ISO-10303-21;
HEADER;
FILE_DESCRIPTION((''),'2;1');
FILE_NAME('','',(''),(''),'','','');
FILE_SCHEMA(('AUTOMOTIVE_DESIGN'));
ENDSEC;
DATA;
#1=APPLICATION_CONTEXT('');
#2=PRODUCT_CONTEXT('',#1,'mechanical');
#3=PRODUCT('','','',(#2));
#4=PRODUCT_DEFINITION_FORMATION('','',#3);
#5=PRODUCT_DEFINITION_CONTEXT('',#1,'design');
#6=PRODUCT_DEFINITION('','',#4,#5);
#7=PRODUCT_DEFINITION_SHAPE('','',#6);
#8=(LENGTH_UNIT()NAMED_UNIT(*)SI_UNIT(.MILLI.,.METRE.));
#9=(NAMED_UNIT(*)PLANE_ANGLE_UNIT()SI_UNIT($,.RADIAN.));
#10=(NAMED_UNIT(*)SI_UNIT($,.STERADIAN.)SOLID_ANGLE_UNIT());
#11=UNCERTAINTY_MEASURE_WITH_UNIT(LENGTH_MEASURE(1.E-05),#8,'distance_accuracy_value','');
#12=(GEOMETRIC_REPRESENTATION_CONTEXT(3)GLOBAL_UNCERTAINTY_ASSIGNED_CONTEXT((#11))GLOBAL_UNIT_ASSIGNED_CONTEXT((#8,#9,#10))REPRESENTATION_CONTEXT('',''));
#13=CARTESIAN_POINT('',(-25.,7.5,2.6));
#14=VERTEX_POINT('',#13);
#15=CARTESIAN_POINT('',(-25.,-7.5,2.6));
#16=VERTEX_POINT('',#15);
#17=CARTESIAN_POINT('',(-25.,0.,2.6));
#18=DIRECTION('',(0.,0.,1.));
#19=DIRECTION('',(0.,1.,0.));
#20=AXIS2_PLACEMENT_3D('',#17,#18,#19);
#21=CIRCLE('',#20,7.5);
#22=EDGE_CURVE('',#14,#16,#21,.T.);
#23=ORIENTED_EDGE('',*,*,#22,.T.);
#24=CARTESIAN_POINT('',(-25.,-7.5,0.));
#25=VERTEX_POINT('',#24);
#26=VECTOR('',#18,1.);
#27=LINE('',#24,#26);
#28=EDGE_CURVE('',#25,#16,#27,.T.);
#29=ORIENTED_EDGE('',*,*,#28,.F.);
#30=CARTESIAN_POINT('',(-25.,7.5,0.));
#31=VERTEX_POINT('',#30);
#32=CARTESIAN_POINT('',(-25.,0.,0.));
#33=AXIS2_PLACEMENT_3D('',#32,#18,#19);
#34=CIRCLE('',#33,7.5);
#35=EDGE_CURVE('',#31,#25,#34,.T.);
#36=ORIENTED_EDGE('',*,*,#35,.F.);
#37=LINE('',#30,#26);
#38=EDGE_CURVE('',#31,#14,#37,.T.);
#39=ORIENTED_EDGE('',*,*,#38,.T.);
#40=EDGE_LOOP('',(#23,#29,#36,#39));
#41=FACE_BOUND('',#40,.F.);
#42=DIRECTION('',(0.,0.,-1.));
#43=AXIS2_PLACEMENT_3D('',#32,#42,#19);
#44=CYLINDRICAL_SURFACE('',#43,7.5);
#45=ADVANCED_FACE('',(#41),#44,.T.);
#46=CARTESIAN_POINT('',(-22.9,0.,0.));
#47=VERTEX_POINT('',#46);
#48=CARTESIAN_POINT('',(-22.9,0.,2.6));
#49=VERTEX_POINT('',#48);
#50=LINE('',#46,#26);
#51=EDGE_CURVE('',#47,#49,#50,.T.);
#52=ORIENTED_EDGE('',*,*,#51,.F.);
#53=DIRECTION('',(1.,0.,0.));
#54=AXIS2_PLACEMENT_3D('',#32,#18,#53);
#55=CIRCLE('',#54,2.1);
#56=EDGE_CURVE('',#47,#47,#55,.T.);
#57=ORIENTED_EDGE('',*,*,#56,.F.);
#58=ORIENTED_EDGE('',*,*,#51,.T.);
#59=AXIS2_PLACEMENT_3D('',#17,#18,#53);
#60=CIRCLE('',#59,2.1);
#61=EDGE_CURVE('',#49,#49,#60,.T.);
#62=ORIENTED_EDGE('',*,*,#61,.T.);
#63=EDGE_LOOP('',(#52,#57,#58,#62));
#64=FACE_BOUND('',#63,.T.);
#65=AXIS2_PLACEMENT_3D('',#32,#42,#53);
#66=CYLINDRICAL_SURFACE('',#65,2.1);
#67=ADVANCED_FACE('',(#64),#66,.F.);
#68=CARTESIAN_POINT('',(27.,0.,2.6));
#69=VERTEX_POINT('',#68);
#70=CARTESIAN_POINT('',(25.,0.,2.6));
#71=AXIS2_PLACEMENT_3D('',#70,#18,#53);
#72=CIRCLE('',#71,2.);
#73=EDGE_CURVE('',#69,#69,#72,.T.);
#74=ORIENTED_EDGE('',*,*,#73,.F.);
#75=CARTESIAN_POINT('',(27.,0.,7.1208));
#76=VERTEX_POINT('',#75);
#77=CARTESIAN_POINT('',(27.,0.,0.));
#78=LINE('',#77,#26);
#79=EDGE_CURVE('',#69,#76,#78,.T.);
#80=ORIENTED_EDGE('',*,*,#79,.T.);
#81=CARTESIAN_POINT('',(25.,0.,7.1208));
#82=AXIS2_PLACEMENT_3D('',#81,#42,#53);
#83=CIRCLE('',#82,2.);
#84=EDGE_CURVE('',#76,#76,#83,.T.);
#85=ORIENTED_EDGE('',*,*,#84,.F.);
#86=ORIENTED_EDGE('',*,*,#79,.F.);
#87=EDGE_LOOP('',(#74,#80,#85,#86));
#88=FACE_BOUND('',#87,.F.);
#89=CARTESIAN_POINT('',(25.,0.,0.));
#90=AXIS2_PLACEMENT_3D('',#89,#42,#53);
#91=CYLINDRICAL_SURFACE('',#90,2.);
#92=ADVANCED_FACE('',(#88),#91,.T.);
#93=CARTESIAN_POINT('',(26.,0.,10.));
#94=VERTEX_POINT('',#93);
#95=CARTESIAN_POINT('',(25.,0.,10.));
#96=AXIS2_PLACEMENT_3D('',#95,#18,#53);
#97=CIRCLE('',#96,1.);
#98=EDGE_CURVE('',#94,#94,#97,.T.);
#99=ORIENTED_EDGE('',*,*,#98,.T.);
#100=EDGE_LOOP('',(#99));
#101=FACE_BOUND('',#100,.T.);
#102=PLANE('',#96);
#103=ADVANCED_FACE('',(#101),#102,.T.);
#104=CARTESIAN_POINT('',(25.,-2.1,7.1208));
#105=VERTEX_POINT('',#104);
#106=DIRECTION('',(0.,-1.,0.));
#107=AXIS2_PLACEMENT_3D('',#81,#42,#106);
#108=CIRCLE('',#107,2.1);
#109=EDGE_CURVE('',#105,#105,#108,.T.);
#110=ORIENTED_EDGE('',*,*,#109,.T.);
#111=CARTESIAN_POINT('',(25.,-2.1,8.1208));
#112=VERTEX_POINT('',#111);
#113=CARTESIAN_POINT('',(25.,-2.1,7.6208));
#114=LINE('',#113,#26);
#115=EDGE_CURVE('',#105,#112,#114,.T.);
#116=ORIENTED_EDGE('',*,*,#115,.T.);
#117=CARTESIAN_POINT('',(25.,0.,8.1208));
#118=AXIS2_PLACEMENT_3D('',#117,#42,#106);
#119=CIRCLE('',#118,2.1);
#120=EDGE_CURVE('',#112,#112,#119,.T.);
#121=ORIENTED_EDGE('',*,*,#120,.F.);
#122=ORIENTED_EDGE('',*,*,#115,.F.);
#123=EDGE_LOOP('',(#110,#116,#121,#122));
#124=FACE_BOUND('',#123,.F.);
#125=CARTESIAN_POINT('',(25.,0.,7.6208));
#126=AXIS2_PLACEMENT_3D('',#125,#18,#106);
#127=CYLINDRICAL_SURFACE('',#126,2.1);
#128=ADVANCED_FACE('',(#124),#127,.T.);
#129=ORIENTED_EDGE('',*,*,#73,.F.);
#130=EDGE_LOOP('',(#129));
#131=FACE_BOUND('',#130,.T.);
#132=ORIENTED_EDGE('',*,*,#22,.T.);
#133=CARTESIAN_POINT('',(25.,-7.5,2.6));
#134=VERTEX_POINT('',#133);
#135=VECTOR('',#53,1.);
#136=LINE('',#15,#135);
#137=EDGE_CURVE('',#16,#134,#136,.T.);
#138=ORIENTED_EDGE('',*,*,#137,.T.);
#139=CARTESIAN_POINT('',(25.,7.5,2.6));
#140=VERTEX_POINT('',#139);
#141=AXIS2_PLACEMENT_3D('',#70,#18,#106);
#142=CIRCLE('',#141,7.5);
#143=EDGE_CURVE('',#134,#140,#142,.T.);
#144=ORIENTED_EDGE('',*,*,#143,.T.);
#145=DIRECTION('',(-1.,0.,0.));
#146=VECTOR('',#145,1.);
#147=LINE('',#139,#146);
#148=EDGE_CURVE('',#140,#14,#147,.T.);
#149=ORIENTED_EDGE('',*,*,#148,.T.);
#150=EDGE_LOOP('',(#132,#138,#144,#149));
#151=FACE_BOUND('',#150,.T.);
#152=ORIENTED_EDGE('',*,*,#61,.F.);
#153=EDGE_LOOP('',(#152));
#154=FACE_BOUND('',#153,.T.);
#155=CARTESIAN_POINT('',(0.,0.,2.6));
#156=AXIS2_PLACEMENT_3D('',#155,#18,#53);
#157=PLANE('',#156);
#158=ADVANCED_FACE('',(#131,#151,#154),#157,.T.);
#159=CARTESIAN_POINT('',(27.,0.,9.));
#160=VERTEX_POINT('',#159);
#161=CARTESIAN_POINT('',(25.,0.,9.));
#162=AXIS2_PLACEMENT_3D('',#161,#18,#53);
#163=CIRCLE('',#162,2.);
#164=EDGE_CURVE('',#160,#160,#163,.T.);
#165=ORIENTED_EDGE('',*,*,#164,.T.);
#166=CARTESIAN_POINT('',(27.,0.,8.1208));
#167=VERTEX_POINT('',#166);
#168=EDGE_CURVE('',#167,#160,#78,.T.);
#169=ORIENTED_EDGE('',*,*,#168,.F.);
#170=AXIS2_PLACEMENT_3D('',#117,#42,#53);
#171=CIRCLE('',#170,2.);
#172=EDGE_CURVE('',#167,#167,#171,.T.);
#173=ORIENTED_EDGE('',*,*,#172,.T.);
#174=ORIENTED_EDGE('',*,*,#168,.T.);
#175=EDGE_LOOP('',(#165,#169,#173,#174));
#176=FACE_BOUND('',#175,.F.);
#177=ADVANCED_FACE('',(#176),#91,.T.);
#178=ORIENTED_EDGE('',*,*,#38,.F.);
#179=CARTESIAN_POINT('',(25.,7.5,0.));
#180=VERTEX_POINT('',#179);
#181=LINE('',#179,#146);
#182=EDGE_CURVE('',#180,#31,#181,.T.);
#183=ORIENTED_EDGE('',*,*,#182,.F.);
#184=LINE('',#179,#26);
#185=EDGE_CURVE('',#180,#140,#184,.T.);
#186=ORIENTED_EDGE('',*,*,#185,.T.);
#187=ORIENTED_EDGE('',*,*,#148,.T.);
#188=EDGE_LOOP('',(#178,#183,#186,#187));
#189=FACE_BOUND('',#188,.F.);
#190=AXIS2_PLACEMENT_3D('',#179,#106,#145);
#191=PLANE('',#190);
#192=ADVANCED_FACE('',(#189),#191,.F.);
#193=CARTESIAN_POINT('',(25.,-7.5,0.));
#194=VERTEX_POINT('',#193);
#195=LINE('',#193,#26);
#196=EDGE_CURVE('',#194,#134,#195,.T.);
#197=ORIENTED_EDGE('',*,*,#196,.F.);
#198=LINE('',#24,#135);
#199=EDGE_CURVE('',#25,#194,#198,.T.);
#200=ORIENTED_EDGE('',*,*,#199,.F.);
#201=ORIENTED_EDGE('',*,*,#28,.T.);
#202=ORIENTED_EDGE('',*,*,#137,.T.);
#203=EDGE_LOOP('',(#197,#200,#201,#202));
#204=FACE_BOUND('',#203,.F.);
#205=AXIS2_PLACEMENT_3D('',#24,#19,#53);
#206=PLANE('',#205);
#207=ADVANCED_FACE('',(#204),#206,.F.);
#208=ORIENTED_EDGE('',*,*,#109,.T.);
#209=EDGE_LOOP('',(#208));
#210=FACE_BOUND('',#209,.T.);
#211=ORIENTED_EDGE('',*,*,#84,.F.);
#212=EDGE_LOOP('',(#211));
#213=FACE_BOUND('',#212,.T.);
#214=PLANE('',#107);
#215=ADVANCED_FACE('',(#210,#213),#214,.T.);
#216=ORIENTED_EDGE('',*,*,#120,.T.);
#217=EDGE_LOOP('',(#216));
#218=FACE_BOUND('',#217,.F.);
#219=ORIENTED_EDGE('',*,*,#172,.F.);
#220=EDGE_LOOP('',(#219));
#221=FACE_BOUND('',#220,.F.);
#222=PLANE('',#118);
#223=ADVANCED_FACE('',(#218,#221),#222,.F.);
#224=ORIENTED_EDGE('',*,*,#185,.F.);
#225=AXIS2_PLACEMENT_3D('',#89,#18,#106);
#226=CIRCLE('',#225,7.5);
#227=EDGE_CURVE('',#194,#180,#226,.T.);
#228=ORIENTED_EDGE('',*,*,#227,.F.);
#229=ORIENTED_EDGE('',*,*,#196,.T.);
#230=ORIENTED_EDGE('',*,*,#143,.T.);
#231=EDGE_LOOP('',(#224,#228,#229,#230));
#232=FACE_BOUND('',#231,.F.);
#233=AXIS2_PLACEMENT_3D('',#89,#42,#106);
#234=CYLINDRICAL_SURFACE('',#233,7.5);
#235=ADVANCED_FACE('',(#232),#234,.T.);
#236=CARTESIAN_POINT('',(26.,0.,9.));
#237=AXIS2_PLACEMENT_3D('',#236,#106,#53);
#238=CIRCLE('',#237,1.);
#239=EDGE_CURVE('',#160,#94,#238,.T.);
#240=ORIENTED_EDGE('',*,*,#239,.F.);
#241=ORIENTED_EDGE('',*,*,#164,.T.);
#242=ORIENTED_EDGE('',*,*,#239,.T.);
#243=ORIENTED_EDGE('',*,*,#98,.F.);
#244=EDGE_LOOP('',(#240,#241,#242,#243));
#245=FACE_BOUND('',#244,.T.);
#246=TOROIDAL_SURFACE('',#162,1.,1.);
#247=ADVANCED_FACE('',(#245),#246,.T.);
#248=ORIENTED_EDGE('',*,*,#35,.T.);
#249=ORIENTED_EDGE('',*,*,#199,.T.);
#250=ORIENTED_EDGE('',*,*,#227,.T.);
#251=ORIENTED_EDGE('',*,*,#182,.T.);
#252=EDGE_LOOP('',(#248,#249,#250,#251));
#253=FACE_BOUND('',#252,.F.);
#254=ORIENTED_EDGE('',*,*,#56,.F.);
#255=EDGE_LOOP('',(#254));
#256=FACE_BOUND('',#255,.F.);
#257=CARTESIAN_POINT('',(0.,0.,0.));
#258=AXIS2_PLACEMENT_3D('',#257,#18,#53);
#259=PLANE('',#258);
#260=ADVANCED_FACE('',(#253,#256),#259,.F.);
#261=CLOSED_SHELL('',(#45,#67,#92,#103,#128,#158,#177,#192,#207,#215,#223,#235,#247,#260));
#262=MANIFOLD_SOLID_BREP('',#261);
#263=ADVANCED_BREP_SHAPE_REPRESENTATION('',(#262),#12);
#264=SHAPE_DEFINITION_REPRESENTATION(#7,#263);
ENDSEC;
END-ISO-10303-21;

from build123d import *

# Parameters (mm, degrees)
F0_R     = 2
F1_DEPTH = 10
F0_R_2   = 2.1
F2_DEPTH = 2.6
F4_R     = 1
F5_W     = 2.1
F5_H     = 1


with BuildPart() as f1:
    # F0 (on Top) → F1 (new body)
    with BuildSketch(Plane.XY):
        with Locations((25, 0)):
            Circle(F0_R)
    extrude(amount=F1_DEPTH)

    # F0 (on Top) → F2 (join)
    with BuildSketch(Plane.XY):
        with BuildLine():
            Line((25, 7.5), (-25, 7.5))
            ThreePointArc((-25, 7.5), (-32.5, 0), (-25, -7.5))
            Line((-25, -7.5), (25, -7.5))
            ThreePointArc((25, -7.5), (32.5, 0), (25, 7.5))
        make_face()
        with Locations((-25, 0)):
            Circle(F0_R_2, mode=Mode.SUBTRACT)
        with Locations((25, 0)):
            Circle(F0_R, mode=Mode.SUBTRACT)
    extrude(amount=F2_DEPTH)

    # F4
    f4_edges = [f1.edges().sort_by_distance(p)[0] for p in [
        (23, 0, 10),
    ]]
    fillet(f4_edges, radius=F4_R)

    # F5 (on offset) → F6 (revolve)
    with BuildSketch(Plane.YZ.offset(25)):
        with Locations((-1.05, 7.6208)):
            Rectangle(F5_W, F5_H)
    revolve(axis=Axis((25, 0, 7.6208), (0, 0, -1)))


solid = f1.part
